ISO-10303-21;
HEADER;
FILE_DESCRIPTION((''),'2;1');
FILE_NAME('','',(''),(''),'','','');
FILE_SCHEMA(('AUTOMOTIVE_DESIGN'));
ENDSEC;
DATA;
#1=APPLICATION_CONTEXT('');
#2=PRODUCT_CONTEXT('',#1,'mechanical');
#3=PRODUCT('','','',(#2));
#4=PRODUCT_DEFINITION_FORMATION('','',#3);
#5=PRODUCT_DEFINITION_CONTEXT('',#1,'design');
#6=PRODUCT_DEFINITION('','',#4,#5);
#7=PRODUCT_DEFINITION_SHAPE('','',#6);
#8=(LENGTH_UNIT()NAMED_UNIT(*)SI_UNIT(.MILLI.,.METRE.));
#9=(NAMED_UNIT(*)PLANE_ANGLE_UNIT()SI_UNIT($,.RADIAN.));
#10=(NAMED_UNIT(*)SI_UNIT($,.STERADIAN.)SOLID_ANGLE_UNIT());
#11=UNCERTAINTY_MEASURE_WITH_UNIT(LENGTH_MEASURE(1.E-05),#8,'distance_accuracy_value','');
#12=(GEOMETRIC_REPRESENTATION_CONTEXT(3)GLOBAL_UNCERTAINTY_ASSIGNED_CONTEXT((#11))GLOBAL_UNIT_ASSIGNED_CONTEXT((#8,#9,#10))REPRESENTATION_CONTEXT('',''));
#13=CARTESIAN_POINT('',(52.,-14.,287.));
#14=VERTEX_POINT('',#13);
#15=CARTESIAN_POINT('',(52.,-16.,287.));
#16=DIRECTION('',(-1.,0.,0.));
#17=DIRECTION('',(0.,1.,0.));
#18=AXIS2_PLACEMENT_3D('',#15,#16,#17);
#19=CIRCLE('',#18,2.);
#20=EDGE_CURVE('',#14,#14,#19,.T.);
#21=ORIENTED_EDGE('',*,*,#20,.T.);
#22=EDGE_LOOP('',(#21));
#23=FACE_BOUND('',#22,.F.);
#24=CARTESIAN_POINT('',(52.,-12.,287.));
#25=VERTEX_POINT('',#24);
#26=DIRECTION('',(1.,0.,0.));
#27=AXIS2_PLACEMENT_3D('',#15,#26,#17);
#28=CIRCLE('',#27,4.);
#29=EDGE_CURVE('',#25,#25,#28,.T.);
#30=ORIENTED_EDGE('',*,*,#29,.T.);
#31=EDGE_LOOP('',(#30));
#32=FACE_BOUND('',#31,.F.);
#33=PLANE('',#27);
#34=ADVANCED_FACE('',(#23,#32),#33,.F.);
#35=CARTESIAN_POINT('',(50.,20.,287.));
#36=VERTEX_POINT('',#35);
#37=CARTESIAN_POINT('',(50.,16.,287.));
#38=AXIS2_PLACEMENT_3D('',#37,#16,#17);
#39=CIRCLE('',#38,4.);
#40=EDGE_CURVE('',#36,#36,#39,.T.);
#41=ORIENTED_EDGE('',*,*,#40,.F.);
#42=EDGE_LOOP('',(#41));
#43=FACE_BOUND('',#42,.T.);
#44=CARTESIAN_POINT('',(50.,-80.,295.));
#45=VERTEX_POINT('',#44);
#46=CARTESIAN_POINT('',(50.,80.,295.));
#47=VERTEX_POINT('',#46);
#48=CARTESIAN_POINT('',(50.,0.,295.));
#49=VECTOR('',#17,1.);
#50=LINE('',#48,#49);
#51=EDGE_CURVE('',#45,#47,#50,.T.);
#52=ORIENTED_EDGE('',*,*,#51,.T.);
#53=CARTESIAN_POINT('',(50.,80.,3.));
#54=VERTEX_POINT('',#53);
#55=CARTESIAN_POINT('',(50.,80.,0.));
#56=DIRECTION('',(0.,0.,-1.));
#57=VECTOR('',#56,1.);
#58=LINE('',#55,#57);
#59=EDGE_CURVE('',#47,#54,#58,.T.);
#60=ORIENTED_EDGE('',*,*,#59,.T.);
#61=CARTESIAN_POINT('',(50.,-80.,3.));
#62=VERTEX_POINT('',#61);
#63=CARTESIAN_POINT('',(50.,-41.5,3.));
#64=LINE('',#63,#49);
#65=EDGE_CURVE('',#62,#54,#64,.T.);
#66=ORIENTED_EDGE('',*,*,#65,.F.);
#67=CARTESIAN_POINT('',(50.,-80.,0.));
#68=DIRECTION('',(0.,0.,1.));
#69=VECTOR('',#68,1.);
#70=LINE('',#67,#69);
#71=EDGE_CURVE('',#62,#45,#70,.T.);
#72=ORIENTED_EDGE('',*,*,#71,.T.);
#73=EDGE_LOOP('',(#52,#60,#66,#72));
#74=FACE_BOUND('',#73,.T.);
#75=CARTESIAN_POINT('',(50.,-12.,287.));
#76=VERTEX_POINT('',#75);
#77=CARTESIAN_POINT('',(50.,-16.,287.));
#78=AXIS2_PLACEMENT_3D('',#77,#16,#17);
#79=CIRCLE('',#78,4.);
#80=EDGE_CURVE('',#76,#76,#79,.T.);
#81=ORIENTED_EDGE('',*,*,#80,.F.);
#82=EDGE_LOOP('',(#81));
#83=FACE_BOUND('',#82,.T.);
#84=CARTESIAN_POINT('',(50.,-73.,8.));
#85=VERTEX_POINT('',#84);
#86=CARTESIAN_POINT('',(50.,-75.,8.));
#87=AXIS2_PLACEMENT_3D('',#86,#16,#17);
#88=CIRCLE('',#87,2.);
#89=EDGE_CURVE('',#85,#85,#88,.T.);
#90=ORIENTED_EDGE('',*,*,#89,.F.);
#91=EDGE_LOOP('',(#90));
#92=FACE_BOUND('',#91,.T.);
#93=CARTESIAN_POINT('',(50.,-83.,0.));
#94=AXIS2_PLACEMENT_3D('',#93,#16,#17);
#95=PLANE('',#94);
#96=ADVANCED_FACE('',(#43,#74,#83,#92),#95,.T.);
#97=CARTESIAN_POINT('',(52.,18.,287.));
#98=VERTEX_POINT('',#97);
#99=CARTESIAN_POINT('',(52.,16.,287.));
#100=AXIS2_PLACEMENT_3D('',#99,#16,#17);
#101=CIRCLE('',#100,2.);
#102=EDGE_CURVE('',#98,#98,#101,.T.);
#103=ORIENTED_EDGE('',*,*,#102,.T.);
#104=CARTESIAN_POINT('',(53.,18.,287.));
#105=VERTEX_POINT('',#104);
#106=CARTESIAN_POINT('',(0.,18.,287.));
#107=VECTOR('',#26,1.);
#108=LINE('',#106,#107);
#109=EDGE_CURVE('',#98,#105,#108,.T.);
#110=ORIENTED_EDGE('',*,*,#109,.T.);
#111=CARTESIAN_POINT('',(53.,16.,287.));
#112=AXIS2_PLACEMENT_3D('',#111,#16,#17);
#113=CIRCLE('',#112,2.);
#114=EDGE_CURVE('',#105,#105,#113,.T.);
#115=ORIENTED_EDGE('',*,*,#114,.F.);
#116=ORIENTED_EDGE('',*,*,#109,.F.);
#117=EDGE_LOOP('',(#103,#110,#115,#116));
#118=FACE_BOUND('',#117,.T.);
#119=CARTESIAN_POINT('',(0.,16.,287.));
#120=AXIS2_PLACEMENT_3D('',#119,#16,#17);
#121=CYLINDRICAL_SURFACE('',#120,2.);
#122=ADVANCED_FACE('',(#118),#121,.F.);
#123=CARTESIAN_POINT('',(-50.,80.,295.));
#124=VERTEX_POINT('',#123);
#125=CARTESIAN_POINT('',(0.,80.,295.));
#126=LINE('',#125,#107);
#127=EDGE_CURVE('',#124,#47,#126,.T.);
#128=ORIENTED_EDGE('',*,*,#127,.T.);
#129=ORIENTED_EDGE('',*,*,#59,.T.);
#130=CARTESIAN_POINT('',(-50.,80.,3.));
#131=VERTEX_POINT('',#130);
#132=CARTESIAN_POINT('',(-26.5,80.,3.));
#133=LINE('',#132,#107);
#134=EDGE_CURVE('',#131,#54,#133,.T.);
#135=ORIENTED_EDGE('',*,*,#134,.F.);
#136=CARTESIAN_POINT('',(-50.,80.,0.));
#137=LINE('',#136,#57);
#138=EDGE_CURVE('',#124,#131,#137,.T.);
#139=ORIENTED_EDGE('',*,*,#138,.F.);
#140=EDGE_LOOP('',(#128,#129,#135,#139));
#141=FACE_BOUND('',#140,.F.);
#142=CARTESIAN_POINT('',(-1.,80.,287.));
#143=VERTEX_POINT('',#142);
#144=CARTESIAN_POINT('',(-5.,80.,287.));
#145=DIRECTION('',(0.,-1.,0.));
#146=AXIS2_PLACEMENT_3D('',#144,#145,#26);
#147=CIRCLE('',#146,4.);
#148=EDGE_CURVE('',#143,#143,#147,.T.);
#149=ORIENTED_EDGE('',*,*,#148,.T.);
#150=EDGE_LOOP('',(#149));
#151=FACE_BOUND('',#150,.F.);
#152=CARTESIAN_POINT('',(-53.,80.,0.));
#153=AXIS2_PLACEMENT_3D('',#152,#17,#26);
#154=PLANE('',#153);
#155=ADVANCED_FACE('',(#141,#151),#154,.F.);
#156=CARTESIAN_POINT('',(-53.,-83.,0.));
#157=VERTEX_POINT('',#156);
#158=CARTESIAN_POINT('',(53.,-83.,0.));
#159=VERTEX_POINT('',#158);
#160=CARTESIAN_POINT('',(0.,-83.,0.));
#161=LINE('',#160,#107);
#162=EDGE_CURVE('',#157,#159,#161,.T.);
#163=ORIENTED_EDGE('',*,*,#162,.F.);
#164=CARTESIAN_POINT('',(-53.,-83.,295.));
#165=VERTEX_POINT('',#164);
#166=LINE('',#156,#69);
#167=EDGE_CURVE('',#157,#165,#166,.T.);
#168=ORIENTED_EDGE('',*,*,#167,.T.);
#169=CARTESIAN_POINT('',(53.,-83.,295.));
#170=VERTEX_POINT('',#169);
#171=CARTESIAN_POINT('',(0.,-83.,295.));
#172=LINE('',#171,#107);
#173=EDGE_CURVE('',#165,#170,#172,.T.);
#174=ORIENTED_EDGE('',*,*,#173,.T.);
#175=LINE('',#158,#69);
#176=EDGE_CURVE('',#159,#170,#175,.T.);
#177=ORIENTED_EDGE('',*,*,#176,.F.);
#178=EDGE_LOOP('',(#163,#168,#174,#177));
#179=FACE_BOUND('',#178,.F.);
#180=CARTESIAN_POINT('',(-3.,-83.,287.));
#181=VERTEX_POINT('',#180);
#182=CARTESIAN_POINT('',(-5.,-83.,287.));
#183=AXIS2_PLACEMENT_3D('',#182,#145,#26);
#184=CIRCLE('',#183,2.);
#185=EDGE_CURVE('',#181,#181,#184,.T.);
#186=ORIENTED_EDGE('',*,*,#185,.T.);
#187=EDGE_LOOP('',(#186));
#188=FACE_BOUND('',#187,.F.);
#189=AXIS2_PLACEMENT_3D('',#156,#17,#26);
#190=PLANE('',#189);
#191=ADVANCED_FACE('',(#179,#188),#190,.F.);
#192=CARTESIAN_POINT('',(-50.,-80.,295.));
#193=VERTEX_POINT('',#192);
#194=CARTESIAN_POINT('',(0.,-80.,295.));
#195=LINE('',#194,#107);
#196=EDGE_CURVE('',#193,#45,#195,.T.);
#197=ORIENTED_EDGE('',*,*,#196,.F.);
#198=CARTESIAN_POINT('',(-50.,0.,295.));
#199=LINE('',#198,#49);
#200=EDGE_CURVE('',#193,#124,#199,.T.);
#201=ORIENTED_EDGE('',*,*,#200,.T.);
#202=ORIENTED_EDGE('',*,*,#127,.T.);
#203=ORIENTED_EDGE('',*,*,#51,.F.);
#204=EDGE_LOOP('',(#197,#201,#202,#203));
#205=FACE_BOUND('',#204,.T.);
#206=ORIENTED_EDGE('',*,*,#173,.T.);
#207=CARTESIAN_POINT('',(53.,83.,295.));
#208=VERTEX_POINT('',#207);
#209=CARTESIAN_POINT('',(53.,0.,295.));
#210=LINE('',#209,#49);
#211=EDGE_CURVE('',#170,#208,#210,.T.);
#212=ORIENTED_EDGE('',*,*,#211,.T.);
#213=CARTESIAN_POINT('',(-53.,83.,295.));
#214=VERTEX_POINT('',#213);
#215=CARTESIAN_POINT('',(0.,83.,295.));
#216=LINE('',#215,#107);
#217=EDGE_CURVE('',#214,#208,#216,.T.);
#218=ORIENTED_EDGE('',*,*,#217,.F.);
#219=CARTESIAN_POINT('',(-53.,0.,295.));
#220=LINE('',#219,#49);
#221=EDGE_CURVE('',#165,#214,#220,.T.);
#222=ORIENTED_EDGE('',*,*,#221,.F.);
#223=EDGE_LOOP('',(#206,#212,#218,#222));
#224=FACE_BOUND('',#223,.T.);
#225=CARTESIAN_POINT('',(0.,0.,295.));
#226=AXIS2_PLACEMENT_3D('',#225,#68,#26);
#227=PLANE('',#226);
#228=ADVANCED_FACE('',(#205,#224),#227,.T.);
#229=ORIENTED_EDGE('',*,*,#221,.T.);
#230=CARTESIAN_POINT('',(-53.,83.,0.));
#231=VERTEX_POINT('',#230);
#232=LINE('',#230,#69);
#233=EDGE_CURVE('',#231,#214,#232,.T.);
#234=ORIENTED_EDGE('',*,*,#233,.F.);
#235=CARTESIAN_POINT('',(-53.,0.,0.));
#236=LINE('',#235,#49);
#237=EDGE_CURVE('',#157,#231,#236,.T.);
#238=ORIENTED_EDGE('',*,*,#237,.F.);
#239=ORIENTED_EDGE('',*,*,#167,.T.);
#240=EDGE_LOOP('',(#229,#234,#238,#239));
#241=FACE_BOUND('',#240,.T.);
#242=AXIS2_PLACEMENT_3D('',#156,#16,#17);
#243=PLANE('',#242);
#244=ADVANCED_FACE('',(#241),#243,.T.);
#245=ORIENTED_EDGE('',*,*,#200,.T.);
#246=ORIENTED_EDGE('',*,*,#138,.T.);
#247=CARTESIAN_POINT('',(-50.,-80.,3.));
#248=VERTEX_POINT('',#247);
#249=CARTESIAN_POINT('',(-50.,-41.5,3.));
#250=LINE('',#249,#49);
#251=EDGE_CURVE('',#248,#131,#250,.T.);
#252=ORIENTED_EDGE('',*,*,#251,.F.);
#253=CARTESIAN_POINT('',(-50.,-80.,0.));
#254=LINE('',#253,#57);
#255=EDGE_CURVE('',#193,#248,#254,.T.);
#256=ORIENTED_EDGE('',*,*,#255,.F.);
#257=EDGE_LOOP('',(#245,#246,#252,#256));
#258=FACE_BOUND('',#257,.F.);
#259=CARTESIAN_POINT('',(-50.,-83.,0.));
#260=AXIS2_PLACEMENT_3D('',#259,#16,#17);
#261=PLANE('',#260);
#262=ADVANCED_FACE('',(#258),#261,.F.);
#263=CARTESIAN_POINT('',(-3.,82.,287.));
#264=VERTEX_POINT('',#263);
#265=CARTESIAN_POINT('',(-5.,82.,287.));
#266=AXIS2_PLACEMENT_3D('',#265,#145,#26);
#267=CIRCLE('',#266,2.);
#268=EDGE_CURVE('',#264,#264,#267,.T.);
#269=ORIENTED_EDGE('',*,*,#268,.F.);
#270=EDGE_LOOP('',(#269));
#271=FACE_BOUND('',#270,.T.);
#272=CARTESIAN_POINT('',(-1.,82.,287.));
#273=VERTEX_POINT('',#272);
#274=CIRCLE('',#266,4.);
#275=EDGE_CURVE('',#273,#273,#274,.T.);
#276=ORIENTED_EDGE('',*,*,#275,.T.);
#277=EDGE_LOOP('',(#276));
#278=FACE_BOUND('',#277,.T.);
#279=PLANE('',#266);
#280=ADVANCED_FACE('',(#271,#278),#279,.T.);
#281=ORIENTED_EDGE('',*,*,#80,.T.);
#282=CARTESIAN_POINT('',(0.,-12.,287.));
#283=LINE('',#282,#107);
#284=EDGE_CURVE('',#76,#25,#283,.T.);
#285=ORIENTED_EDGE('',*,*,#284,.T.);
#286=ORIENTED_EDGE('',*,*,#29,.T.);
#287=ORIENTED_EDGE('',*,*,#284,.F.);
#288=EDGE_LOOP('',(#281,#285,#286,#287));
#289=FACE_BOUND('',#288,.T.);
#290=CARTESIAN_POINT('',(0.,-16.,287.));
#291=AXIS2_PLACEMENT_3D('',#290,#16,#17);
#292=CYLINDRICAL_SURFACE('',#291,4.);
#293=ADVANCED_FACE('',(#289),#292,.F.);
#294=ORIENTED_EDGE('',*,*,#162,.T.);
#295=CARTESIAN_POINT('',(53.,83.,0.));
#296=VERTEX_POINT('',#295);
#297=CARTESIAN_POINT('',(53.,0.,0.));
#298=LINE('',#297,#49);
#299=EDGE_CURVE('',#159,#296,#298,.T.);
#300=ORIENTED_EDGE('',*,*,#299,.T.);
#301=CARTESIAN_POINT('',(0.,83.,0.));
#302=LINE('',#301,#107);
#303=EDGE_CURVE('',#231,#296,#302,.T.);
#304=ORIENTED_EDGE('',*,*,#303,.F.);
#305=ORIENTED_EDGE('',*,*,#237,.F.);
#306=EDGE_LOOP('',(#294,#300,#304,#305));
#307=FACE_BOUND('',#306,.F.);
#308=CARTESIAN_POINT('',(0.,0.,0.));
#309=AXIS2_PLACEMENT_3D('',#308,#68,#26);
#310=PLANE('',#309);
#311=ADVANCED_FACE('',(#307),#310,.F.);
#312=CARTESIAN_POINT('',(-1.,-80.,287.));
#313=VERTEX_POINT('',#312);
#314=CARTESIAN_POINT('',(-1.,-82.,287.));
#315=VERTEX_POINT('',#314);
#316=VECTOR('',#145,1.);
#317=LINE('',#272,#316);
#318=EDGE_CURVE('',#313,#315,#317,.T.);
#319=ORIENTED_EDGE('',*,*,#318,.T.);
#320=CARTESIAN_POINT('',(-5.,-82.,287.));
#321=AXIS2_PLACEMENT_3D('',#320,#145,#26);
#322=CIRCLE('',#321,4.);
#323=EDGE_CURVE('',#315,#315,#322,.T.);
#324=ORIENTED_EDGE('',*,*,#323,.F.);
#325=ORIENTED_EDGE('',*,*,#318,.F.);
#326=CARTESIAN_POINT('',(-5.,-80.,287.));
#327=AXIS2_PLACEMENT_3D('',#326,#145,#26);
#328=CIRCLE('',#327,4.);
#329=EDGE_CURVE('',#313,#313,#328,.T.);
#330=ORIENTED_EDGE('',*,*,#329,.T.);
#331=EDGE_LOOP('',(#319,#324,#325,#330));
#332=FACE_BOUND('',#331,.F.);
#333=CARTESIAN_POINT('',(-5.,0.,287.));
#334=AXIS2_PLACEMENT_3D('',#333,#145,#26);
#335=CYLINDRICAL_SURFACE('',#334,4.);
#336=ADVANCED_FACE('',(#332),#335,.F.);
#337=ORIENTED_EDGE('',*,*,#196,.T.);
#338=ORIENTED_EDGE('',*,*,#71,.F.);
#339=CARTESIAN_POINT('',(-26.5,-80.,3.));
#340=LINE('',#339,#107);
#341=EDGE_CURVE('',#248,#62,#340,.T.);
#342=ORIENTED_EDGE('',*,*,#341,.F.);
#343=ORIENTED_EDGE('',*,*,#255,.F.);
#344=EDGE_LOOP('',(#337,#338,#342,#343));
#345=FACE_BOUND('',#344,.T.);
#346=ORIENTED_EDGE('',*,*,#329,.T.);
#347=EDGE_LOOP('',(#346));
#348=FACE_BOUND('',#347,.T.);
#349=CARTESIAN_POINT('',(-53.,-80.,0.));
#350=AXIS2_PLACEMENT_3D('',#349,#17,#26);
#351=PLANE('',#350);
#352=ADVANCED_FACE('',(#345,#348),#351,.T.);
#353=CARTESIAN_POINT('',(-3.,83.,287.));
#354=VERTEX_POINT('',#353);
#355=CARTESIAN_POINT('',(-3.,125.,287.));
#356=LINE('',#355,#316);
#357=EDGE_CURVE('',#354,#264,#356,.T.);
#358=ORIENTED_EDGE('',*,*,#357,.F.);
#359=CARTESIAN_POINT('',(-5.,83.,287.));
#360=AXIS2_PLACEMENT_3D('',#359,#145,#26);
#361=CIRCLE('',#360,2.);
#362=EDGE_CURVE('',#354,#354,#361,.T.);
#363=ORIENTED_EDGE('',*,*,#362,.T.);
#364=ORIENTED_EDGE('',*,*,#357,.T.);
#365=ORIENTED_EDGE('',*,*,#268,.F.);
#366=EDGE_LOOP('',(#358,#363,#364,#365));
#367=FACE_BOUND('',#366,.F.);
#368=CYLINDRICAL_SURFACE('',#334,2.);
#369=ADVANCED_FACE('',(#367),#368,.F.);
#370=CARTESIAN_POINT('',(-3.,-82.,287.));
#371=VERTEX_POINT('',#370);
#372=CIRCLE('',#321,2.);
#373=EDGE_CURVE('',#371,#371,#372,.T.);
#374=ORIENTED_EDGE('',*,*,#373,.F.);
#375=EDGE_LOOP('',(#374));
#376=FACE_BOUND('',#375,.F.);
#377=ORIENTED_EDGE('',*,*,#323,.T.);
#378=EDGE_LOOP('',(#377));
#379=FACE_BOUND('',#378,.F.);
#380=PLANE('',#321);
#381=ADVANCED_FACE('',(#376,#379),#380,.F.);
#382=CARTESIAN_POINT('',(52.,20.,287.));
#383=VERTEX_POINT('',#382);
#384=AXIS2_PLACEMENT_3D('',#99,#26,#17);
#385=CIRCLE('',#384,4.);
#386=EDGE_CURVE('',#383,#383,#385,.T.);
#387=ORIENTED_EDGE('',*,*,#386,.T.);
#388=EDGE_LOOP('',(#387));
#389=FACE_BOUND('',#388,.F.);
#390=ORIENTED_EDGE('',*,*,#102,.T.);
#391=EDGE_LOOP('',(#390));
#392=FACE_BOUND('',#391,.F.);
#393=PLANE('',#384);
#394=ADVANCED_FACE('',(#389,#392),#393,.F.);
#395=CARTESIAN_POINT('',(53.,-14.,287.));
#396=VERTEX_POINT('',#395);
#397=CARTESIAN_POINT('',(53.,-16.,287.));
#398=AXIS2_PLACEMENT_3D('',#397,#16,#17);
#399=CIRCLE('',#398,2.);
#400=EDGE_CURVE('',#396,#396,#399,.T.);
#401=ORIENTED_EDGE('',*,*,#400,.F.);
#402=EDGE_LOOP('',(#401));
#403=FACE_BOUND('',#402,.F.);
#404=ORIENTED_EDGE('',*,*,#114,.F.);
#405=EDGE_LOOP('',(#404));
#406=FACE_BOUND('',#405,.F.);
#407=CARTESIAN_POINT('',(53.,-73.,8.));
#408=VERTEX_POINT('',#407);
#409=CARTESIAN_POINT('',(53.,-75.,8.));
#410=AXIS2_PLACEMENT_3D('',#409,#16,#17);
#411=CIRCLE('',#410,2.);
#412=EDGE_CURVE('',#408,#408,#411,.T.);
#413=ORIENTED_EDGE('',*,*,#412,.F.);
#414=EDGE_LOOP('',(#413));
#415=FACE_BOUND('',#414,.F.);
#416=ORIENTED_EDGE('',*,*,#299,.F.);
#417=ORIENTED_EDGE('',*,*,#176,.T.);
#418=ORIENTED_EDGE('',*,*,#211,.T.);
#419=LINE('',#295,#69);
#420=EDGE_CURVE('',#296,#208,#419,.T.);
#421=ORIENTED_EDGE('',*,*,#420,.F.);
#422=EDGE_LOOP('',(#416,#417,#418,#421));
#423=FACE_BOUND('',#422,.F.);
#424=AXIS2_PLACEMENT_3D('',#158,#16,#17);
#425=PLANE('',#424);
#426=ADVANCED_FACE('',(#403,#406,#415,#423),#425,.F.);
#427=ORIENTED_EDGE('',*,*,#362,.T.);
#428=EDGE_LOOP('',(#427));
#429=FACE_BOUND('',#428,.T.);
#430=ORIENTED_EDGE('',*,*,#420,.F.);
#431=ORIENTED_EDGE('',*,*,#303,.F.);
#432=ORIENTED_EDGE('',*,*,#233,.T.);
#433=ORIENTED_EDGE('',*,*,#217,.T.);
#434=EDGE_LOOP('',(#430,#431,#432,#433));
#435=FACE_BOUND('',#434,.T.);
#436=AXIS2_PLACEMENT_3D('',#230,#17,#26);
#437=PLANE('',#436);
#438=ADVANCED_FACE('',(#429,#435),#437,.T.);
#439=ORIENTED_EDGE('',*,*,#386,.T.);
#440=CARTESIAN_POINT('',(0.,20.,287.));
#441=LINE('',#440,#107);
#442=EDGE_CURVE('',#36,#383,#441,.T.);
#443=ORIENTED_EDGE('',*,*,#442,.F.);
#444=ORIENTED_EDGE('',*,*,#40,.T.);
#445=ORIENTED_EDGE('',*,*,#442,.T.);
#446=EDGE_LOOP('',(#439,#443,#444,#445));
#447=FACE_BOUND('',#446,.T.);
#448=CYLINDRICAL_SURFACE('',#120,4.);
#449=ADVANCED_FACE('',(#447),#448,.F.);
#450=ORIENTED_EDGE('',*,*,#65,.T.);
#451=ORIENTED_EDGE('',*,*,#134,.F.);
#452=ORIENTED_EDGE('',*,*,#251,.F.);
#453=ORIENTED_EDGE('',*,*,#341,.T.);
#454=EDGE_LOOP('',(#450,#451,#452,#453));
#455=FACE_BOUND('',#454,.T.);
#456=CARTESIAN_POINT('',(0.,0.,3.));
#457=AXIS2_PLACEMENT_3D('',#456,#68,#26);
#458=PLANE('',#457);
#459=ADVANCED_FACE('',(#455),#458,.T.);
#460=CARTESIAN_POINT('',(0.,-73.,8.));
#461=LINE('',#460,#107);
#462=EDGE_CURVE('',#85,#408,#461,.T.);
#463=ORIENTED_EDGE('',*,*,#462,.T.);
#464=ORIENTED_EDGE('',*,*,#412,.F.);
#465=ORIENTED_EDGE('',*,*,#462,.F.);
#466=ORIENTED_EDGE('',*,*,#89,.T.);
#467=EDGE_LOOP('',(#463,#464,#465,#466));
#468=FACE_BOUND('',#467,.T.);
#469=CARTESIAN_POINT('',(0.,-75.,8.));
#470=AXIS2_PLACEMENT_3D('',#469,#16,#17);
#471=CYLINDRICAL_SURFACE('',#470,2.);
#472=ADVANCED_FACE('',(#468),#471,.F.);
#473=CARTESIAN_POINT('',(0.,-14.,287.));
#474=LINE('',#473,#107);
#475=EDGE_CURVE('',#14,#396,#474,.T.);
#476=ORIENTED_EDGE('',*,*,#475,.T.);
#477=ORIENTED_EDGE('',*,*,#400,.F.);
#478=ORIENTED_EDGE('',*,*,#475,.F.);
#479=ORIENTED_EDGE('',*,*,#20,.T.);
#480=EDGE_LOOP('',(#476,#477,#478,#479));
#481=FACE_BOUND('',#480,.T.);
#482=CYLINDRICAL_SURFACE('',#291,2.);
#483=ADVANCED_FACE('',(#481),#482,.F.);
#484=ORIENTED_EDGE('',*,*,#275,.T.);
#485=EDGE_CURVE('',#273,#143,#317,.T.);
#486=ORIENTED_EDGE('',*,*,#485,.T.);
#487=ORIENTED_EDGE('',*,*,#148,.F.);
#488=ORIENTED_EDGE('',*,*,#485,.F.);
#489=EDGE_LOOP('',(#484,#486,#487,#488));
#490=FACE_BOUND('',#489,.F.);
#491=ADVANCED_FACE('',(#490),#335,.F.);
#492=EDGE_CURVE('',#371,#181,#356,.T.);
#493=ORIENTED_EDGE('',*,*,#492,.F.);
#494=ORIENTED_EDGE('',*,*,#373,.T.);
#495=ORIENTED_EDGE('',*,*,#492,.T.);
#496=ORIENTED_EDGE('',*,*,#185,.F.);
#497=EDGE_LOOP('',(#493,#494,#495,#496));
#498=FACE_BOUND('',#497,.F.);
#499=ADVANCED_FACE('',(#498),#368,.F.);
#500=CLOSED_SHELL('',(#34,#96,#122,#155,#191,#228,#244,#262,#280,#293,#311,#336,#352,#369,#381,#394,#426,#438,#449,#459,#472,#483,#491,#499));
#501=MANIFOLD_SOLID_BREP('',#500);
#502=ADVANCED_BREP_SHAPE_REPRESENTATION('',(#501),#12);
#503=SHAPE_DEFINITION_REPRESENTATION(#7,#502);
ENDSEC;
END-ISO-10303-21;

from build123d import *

# Parameters (mm, degrees)
F0_W      = 106
F0_H      = 166
F1_DEPTH  = 295
F2_T      = -3
F3_R      = 2
F4_DEPTH  = 150
F5_R      = 2
F6_DEPTH  = 125
F7_R      = 4
F8_DEPTH  = 52
F9_R      = 4
F10_DEPTH = 82


with BuildPart() as f1:
    # F0 (on Top) → F1 (new body)
    with BuildSketch(Plane.XY):
        Rectangle(F0_W, F0_H)
    extrude(amount=F1_DEPTH)

    # F2
    f2_openings = [f1.faces().sort_by_distance(p)[0] for p in [
        (0, 0, 295),
    ]]
    offset(amount=F2_T, openings=f2_openings)

    # F3 (on Right) → F4 (cut)
    with BuildSketch(Plane.YZ):
        with Locations((-16, 287)):
            Circle(F3_R)
        with Locations((16, 287)):
            Circle(F3_R)
        with Locations((-75, 8)):
            Circle(F3_R)
    extrude(amount=F4_DEPTH, mode=Mode.SUBTRACT)

    # F5 (on Front) → F6 (cut, symmetric)
    with BuildSketch(Plane.XZ):
        with Locations((-5, 287)):
            Circle(F5_R)
    extrude(amount=F6_DEPTH, both=True, mode=Mode.SUBTRACT)

    # F7 (on Right) → F8 (cut)
    with BuildSketch(Plane.YZ):
        with Locations((-16, 287)):
            Circle(F7_R)
        with Locations((16, 287)):
            Circle(F7_R)
    extrude(amount=F8_DEPTH, mode=Mode.SUBTRACT)

    # F9 (on Front) → F10 (cut, symmetric)
    with BuildSketch(Plane.XZ):
        with Locations((-5, 287)):
            Circle(F9_R)
    extrude(amount=F10_DEPTH, both=True, mode=Mode.SUBTRACT)


solid = f1.part
